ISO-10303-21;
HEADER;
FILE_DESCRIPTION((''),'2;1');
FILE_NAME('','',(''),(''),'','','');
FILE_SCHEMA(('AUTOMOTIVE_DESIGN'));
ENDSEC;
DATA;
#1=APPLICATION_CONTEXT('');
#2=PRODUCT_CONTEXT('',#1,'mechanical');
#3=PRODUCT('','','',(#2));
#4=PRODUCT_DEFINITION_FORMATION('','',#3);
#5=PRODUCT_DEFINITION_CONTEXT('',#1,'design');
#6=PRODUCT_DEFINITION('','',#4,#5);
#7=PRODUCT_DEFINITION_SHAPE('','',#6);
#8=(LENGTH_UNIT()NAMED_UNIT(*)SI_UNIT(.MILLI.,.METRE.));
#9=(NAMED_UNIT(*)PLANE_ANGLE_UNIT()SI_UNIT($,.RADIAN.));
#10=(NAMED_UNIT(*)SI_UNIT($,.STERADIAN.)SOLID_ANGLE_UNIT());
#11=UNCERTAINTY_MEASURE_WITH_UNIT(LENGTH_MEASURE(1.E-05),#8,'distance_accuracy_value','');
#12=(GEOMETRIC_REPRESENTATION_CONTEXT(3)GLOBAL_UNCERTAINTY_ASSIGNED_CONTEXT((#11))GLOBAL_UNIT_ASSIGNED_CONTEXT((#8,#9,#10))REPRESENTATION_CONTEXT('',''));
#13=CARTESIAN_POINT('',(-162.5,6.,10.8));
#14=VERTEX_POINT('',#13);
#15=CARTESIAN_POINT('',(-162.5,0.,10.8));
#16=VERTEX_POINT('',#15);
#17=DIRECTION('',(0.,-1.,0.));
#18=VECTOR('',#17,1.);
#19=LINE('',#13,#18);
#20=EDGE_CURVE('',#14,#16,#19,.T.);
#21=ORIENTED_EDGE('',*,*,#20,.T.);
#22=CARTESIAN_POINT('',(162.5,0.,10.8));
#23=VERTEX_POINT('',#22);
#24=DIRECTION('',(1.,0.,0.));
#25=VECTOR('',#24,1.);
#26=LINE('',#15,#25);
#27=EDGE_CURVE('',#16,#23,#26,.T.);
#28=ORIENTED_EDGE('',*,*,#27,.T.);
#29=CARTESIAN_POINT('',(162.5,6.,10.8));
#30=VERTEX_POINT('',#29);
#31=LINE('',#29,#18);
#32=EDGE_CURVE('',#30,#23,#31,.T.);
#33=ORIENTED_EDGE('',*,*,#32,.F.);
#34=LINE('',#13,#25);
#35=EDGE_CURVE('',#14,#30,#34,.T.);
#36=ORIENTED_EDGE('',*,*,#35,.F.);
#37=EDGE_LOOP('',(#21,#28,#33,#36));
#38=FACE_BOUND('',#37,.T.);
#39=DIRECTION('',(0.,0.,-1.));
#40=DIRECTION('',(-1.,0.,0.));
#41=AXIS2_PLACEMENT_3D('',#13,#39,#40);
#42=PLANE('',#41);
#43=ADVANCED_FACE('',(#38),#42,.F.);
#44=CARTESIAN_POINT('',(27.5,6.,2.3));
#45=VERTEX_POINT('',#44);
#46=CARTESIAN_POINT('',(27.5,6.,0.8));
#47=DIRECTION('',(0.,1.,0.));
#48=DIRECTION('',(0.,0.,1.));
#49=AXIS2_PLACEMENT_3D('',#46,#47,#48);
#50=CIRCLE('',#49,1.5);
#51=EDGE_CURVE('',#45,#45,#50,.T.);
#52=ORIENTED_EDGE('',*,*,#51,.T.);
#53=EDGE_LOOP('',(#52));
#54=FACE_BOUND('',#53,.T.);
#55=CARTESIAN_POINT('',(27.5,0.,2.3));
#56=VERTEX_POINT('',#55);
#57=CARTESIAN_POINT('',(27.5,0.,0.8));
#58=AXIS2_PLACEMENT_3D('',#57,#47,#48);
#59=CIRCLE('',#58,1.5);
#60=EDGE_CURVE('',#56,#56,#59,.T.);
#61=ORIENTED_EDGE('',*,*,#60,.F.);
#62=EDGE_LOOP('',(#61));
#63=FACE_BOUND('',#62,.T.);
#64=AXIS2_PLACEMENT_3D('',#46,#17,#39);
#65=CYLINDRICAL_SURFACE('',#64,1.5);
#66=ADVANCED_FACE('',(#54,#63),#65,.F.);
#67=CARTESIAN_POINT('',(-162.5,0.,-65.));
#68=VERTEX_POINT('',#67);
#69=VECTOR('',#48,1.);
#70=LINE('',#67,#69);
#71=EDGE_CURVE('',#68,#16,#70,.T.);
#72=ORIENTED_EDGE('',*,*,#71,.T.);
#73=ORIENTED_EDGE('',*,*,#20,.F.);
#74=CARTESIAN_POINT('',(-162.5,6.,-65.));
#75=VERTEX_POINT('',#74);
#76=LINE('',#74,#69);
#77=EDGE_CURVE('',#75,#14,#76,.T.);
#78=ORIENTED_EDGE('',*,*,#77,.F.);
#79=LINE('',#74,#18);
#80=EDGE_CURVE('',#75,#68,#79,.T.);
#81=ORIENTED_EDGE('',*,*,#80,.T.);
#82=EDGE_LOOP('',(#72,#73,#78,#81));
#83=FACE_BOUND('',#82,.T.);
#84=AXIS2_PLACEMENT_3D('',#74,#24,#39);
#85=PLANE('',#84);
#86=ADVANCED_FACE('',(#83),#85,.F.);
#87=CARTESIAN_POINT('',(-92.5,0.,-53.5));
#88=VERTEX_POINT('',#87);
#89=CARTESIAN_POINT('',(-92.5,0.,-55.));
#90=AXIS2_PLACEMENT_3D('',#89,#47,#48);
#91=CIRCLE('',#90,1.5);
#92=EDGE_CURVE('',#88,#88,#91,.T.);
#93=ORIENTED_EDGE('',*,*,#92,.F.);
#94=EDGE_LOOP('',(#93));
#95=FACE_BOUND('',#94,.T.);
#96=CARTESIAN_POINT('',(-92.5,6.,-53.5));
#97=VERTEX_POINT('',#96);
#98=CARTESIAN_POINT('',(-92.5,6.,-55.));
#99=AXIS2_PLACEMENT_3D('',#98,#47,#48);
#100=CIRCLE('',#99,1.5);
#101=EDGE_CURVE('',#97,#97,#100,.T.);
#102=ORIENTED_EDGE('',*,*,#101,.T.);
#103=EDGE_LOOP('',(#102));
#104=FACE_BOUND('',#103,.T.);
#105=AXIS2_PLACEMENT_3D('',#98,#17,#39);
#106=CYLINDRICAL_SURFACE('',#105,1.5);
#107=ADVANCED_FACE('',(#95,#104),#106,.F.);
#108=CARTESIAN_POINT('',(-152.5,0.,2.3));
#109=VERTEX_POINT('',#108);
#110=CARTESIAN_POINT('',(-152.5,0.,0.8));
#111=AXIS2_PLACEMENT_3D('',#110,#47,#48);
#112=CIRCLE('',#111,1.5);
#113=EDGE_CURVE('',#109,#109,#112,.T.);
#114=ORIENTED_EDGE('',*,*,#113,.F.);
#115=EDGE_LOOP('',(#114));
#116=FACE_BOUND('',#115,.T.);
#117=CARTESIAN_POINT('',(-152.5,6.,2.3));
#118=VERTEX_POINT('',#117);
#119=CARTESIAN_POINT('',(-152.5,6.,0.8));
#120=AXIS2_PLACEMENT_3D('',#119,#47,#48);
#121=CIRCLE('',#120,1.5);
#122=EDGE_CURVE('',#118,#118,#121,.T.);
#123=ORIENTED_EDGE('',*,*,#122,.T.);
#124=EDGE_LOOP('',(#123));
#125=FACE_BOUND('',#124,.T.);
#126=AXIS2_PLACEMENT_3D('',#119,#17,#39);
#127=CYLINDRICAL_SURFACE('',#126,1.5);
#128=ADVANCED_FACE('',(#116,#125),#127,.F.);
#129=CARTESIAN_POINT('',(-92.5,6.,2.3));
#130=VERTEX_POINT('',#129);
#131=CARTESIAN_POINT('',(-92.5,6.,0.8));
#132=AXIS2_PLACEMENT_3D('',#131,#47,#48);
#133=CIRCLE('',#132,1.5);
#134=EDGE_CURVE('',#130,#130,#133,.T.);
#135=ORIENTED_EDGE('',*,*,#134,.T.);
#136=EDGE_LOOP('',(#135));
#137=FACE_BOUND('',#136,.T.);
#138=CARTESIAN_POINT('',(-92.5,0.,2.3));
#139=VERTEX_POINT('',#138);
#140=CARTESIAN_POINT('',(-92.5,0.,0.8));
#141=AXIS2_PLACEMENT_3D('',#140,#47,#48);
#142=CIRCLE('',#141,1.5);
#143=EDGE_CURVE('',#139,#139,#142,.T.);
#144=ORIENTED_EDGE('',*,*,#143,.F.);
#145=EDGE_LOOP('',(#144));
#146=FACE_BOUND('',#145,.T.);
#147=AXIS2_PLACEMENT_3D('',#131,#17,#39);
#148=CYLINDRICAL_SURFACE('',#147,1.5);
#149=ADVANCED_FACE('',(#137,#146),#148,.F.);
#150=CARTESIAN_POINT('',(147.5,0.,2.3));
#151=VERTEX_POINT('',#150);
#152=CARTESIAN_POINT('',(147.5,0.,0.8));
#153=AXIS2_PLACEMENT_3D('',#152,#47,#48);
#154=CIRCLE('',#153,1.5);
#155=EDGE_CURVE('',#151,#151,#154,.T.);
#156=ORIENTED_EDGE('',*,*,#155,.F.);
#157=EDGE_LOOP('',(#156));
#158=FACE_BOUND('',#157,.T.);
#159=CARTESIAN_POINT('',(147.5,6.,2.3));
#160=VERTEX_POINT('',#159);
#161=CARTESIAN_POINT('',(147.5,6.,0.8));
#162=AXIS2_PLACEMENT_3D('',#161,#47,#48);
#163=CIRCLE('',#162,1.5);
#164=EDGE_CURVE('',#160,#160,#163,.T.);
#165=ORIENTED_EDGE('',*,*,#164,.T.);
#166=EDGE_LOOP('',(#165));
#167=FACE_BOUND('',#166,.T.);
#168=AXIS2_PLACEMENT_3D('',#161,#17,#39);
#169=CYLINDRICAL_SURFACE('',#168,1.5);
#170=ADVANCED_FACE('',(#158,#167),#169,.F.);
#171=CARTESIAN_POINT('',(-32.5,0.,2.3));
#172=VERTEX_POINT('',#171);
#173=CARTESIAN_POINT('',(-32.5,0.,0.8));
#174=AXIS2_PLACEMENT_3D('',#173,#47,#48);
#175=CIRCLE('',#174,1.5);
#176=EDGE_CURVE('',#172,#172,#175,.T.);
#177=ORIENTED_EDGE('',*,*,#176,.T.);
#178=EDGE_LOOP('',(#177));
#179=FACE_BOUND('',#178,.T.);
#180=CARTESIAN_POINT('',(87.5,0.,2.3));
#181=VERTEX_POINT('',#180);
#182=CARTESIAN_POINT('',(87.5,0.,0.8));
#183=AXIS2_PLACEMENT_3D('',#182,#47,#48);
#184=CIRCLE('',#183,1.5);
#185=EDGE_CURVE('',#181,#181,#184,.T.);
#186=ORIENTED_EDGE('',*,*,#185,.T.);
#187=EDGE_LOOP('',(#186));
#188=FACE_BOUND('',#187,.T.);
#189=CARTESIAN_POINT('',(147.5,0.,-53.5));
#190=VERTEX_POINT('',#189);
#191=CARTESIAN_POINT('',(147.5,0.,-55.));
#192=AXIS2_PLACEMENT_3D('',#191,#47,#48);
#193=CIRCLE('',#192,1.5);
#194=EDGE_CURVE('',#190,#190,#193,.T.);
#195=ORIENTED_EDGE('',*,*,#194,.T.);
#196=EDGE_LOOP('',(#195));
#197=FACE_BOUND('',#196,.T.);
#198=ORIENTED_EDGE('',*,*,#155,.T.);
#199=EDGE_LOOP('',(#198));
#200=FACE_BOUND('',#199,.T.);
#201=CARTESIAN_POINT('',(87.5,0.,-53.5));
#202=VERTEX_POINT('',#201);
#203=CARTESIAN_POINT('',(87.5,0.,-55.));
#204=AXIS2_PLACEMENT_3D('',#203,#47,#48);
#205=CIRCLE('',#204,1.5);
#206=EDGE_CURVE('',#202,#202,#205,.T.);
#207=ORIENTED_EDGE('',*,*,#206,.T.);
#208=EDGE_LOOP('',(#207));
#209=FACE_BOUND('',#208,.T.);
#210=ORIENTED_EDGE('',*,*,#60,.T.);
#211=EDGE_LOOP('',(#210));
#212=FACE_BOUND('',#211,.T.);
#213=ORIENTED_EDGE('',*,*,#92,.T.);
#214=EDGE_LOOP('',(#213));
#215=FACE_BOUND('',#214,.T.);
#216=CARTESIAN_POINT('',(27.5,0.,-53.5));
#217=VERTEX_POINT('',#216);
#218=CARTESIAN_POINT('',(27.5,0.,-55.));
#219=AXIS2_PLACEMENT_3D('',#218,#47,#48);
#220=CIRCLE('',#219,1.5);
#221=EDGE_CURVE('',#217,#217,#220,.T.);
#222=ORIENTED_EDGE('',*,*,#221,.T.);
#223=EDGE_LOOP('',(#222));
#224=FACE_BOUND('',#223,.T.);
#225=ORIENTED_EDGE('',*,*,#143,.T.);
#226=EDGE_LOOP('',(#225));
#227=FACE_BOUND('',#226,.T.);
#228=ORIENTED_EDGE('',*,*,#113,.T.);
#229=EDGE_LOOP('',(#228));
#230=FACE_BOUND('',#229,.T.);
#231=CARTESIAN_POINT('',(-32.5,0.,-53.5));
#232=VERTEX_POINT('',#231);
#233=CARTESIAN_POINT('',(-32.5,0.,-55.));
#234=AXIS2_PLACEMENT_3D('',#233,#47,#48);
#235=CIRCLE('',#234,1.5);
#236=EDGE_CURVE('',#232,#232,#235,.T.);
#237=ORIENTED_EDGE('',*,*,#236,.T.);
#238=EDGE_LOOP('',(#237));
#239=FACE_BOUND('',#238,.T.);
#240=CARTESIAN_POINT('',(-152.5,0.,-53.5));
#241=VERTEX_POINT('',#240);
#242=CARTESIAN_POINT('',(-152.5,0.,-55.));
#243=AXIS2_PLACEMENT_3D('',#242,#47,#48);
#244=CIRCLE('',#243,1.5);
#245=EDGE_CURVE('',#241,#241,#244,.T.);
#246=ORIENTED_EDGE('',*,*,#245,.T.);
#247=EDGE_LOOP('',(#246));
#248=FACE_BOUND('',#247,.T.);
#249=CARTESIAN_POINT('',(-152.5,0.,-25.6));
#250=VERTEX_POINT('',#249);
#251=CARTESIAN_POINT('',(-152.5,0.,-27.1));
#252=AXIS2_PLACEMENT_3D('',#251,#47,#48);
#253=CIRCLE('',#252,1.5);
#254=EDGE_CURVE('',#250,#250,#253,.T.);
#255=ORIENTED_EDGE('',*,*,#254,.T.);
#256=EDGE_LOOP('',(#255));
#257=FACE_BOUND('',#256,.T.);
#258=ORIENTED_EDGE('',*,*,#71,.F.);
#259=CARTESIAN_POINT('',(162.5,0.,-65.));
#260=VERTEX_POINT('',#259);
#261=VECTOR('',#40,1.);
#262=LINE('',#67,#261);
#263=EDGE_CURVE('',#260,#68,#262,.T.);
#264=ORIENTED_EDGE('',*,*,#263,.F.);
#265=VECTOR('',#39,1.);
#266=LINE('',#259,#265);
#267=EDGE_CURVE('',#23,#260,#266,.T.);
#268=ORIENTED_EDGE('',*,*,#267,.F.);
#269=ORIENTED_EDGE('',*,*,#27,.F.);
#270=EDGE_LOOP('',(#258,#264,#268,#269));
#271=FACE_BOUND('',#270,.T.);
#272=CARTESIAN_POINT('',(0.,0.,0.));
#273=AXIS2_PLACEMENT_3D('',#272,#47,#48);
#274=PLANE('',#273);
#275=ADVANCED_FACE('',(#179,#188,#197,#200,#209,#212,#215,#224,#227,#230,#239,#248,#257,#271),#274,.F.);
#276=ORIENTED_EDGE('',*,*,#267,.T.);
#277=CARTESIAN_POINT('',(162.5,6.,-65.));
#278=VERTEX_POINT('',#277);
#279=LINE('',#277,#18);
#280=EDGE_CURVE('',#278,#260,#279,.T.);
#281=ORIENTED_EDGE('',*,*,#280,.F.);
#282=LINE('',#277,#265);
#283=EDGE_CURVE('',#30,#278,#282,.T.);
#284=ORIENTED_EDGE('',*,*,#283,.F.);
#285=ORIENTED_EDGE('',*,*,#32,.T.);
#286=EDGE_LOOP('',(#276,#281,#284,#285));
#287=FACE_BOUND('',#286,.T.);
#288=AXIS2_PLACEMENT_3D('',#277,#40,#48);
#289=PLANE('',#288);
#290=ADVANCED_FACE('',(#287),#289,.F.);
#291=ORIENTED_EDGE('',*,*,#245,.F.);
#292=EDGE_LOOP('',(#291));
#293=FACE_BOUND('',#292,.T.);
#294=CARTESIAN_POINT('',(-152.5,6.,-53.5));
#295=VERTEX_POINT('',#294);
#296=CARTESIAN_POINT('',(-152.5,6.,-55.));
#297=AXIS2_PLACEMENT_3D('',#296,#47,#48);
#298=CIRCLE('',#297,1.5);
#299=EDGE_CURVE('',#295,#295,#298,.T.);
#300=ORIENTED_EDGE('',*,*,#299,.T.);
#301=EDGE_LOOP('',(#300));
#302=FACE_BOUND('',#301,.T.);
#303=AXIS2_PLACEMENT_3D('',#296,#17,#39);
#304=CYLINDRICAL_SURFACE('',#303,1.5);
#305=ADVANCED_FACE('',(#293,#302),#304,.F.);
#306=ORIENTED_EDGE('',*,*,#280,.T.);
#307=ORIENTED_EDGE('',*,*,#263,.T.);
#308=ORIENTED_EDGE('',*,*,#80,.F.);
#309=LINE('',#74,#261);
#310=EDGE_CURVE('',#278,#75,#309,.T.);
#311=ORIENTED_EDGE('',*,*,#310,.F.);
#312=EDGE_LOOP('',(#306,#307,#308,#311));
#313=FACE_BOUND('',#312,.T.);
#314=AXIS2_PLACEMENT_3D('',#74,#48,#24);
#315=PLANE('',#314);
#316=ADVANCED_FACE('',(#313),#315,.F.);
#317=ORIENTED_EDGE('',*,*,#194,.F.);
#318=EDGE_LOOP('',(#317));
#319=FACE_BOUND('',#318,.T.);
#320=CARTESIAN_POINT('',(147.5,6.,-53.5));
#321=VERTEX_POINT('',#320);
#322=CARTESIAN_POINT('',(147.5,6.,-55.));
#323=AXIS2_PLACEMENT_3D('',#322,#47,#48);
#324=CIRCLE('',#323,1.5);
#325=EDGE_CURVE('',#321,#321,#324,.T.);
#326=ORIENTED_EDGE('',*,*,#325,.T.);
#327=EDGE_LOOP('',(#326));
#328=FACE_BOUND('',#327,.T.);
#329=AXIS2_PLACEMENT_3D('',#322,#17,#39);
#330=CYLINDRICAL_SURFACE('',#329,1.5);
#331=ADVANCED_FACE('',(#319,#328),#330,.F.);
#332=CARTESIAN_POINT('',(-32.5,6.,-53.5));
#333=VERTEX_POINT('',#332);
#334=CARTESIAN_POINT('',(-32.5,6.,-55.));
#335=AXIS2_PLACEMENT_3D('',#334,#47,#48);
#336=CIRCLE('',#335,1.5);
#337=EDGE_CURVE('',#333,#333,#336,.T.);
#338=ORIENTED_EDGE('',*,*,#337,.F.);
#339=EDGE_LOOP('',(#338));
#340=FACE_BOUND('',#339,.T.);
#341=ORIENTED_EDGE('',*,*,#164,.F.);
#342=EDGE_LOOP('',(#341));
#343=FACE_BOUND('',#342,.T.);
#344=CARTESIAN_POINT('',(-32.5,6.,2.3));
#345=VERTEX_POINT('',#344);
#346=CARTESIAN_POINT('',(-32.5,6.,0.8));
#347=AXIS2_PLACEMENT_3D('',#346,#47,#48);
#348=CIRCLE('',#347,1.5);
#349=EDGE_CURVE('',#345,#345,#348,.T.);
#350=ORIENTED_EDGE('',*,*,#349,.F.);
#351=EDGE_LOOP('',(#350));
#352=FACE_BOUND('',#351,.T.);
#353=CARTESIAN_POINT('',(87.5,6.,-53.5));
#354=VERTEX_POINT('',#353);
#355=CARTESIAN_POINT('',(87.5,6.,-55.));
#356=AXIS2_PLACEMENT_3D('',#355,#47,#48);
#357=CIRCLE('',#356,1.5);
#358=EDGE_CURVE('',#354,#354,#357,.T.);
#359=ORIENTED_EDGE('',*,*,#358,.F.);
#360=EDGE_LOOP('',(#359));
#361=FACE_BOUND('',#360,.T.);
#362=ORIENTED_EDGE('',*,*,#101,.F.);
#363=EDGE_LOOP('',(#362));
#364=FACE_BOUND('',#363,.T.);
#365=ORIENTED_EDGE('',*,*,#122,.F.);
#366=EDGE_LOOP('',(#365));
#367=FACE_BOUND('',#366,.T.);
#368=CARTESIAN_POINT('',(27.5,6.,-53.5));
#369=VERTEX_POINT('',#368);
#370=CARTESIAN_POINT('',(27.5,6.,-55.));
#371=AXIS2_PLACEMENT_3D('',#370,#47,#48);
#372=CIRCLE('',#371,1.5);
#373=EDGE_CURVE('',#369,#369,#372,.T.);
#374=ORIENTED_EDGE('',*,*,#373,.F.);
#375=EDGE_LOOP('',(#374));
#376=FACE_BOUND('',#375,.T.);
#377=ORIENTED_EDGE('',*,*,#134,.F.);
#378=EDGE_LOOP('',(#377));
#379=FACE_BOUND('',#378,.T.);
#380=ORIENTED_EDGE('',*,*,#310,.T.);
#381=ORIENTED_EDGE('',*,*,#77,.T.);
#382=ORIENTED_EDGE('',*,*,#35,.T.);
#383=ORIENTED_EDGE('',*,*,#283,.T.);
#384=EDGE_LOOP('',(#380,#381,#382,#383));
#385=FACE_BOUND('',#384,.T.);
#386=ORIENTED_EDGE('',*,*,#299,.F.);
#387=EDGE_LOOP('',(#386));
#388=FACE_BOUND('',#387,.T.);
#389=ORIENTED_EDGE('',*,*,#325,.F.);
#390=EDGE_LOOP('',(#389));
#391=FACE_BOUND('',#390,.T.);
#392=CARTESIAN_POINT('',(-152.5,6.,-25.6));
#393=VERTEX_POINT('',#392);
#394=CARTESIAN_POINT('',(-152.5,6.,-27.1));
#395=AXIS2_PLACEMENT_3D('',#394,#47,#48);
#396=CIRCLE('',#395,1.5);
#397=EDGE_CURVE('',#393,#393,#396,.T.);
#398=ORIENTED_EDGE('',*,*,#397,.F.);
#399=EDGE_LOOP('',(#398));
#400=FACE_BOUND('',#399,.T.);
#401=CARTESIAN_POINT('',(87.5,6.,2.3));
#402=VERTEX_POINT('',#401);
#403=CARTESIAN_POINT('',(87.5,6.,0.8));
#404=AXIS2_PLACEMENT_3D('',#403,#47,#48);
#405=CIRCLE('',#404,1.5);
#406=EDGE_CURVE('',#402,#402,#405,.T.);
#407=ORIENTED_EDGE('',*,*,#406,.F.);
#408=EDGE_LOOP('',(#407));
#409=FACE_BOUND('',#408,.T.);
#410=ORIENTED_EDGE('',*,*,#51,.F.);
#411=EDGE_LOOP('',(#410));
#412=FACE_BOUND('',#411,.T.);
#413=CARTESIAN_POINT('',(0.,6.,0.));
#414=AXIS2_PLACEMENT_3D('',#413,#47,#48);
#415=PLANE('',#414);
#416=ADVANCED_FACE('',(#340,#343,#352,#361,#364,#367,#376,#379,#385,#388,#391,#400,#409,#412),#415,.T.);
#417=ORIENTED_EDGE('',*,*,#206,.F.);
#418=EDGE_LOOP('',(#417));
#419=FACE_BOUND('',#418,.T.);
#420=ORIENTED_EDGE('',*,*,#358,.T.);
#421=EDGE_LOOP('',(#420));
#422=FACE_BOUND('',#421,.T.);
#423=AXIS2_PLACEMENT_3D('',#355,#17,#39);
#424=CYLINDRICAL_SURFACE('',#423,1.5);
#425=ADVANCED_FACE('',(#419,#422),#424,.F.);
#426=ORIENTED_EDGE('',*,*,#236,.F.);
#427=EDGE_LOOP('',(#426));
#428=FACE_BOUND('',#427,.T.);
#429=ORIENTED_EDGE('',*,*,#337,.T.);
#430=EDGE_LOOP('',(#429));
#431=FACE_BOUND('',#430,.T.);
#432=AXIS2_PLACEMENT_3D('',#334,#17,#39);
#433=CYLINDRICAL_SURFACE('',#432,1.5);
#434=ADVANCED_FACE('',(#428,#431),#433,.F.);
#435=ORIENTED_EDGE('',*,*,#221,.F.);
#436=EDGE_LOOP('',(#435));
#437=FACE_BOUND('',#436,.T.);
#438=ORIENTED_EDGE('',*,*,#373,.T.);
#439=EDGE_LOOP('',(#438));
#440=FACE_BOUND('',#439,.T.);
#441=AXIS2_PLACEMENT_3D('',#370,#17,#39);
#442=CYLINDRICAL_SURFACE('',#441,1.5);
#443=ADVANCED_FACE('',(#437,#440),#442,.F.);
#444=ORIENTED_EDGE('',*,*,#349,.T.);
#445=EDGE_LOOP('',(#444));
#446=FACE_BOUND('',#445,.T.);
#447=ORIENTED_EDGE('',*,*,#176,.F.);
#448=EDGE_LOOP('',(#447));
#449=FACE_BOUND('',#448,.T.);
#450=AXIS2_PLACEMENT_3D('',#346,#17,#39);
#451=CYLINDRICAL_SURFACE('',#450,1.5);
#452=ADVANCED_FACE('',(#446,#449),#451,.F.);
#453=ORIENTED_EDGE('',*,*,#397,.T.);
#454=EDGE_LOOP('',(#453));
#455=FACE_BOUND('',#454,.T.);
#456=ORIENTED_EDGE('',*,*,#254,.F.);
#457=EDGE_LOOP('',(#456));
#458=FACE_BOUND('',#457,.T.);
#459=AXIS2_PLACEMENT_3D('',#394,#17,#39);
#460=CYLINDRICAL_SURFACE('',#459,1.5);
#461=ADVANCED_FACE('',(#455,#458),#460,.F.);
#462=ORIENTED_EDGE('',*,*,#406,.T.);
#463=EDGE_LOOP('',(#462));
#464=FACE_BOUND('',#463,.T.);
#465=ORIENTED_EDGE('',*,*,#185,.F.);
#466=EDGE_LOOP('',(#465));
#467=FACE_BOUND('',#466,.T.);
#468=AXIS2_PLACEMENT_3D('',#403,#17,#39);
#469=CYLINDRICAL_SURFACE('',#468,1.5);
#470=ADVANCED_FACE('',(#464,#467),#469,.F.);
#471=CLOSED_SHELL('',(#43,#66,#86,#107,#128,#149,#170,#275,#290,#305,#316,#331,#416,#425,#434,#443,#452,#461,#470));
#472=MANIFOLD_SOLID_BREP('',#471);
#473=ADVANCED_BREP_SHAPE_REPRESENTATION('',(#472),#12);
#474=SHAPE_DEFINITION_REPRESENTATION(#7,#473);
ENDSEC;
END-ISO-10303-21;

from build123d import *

# Parameters (mm, degrees)
SKETCH_1_W      = 325
SKETCH_1_H      = 75.8
SKETCH_1_R      = 1.5
EXTRUDE_1_DEPTH = 6


with BuildPart() as part:
    # 草图1 → 凸台-拉伸1 (new body)
    with BuildSketch(Plane(origin=(0, 0, 0), x_dir=(1, 0, 0), z_dir=(0, 1, 0))):
        with Locations((0, 27.1)):
            Rectangle(SKETCH_1_W, SKETCH_1_H)
        with Locations(Location((-152.5, 55, 0), (0, 0, 270))):
            Circle(SKETCH_1_R, mode=Mode.SUBTRACT)
        with Locations(Location((-152.5, -0.8, 0), (0, 0, 270))):
            Circle(SKETCH_1_R, mode=Mode.SUBTRACT)
        with Locations(Location((-92.5, 55, 0), (0, 0, 270))):
            Circle(SKETCH_1_R, mode=Mode.SUBTRACT)
        with Locations(Location((-32.5, 55, 0), (0, 0, 270))):
            Circle(SKETCH_1_R, mode=Mode.SUBTRACT)
        with Locations(Location((27.5, 55, 0), (0, 0, 270))):
            Circle(SKETCH_1_R, mode=Mode.SUBTRACT)
        with Locations(Location((87.5, 55, 0), (0, 0, 270))):
            Circle(SKETCH_1_R, mode=Mode.SUBTRACT)
        with Locations(Location((147.5, 55, 0), (0, 0, 270))):
            Circle(SKETCH_1_R, mode=Mode.SUBTRACT)
        with Locations(Location((-92.5, -0.8, 0), (0, 0, 270))):
            Circle(SKETCH_1_R, mode=Mode.SUBTRACT)
        with Locations(Location((-32.5, -0.8, 0), (0, 0, 270))):
            Circle(SKETCH_1_R, mode=Mode.SUBTRACT)
        with Locations(Location((27.5, -0.8, 0), (0, 0, 270))):
            Circle(SKETCH_1_R, mode=Mode.SUBTRACT)
        with Locations(Location((87.5, -0.8, 0), (0, 0, 270))):
            Circle(SKETCH_1_R, mode=Mode.SUBTRACT)
        with Locations(Location((147.5, -0.8, 0), (0, 0, 270))):
            Circle(SKETCH_1_R, mode=Mode.SUBTRACT)
        with Locations(Location((-152.5, 27.1, 0), (0, 0, 270))):
            Circle(SKETCH_1_R, mode=Mode.SUBTRACT)
    extrude(amount=EXTRUDE_1_DEPTH)


solid = part.part
